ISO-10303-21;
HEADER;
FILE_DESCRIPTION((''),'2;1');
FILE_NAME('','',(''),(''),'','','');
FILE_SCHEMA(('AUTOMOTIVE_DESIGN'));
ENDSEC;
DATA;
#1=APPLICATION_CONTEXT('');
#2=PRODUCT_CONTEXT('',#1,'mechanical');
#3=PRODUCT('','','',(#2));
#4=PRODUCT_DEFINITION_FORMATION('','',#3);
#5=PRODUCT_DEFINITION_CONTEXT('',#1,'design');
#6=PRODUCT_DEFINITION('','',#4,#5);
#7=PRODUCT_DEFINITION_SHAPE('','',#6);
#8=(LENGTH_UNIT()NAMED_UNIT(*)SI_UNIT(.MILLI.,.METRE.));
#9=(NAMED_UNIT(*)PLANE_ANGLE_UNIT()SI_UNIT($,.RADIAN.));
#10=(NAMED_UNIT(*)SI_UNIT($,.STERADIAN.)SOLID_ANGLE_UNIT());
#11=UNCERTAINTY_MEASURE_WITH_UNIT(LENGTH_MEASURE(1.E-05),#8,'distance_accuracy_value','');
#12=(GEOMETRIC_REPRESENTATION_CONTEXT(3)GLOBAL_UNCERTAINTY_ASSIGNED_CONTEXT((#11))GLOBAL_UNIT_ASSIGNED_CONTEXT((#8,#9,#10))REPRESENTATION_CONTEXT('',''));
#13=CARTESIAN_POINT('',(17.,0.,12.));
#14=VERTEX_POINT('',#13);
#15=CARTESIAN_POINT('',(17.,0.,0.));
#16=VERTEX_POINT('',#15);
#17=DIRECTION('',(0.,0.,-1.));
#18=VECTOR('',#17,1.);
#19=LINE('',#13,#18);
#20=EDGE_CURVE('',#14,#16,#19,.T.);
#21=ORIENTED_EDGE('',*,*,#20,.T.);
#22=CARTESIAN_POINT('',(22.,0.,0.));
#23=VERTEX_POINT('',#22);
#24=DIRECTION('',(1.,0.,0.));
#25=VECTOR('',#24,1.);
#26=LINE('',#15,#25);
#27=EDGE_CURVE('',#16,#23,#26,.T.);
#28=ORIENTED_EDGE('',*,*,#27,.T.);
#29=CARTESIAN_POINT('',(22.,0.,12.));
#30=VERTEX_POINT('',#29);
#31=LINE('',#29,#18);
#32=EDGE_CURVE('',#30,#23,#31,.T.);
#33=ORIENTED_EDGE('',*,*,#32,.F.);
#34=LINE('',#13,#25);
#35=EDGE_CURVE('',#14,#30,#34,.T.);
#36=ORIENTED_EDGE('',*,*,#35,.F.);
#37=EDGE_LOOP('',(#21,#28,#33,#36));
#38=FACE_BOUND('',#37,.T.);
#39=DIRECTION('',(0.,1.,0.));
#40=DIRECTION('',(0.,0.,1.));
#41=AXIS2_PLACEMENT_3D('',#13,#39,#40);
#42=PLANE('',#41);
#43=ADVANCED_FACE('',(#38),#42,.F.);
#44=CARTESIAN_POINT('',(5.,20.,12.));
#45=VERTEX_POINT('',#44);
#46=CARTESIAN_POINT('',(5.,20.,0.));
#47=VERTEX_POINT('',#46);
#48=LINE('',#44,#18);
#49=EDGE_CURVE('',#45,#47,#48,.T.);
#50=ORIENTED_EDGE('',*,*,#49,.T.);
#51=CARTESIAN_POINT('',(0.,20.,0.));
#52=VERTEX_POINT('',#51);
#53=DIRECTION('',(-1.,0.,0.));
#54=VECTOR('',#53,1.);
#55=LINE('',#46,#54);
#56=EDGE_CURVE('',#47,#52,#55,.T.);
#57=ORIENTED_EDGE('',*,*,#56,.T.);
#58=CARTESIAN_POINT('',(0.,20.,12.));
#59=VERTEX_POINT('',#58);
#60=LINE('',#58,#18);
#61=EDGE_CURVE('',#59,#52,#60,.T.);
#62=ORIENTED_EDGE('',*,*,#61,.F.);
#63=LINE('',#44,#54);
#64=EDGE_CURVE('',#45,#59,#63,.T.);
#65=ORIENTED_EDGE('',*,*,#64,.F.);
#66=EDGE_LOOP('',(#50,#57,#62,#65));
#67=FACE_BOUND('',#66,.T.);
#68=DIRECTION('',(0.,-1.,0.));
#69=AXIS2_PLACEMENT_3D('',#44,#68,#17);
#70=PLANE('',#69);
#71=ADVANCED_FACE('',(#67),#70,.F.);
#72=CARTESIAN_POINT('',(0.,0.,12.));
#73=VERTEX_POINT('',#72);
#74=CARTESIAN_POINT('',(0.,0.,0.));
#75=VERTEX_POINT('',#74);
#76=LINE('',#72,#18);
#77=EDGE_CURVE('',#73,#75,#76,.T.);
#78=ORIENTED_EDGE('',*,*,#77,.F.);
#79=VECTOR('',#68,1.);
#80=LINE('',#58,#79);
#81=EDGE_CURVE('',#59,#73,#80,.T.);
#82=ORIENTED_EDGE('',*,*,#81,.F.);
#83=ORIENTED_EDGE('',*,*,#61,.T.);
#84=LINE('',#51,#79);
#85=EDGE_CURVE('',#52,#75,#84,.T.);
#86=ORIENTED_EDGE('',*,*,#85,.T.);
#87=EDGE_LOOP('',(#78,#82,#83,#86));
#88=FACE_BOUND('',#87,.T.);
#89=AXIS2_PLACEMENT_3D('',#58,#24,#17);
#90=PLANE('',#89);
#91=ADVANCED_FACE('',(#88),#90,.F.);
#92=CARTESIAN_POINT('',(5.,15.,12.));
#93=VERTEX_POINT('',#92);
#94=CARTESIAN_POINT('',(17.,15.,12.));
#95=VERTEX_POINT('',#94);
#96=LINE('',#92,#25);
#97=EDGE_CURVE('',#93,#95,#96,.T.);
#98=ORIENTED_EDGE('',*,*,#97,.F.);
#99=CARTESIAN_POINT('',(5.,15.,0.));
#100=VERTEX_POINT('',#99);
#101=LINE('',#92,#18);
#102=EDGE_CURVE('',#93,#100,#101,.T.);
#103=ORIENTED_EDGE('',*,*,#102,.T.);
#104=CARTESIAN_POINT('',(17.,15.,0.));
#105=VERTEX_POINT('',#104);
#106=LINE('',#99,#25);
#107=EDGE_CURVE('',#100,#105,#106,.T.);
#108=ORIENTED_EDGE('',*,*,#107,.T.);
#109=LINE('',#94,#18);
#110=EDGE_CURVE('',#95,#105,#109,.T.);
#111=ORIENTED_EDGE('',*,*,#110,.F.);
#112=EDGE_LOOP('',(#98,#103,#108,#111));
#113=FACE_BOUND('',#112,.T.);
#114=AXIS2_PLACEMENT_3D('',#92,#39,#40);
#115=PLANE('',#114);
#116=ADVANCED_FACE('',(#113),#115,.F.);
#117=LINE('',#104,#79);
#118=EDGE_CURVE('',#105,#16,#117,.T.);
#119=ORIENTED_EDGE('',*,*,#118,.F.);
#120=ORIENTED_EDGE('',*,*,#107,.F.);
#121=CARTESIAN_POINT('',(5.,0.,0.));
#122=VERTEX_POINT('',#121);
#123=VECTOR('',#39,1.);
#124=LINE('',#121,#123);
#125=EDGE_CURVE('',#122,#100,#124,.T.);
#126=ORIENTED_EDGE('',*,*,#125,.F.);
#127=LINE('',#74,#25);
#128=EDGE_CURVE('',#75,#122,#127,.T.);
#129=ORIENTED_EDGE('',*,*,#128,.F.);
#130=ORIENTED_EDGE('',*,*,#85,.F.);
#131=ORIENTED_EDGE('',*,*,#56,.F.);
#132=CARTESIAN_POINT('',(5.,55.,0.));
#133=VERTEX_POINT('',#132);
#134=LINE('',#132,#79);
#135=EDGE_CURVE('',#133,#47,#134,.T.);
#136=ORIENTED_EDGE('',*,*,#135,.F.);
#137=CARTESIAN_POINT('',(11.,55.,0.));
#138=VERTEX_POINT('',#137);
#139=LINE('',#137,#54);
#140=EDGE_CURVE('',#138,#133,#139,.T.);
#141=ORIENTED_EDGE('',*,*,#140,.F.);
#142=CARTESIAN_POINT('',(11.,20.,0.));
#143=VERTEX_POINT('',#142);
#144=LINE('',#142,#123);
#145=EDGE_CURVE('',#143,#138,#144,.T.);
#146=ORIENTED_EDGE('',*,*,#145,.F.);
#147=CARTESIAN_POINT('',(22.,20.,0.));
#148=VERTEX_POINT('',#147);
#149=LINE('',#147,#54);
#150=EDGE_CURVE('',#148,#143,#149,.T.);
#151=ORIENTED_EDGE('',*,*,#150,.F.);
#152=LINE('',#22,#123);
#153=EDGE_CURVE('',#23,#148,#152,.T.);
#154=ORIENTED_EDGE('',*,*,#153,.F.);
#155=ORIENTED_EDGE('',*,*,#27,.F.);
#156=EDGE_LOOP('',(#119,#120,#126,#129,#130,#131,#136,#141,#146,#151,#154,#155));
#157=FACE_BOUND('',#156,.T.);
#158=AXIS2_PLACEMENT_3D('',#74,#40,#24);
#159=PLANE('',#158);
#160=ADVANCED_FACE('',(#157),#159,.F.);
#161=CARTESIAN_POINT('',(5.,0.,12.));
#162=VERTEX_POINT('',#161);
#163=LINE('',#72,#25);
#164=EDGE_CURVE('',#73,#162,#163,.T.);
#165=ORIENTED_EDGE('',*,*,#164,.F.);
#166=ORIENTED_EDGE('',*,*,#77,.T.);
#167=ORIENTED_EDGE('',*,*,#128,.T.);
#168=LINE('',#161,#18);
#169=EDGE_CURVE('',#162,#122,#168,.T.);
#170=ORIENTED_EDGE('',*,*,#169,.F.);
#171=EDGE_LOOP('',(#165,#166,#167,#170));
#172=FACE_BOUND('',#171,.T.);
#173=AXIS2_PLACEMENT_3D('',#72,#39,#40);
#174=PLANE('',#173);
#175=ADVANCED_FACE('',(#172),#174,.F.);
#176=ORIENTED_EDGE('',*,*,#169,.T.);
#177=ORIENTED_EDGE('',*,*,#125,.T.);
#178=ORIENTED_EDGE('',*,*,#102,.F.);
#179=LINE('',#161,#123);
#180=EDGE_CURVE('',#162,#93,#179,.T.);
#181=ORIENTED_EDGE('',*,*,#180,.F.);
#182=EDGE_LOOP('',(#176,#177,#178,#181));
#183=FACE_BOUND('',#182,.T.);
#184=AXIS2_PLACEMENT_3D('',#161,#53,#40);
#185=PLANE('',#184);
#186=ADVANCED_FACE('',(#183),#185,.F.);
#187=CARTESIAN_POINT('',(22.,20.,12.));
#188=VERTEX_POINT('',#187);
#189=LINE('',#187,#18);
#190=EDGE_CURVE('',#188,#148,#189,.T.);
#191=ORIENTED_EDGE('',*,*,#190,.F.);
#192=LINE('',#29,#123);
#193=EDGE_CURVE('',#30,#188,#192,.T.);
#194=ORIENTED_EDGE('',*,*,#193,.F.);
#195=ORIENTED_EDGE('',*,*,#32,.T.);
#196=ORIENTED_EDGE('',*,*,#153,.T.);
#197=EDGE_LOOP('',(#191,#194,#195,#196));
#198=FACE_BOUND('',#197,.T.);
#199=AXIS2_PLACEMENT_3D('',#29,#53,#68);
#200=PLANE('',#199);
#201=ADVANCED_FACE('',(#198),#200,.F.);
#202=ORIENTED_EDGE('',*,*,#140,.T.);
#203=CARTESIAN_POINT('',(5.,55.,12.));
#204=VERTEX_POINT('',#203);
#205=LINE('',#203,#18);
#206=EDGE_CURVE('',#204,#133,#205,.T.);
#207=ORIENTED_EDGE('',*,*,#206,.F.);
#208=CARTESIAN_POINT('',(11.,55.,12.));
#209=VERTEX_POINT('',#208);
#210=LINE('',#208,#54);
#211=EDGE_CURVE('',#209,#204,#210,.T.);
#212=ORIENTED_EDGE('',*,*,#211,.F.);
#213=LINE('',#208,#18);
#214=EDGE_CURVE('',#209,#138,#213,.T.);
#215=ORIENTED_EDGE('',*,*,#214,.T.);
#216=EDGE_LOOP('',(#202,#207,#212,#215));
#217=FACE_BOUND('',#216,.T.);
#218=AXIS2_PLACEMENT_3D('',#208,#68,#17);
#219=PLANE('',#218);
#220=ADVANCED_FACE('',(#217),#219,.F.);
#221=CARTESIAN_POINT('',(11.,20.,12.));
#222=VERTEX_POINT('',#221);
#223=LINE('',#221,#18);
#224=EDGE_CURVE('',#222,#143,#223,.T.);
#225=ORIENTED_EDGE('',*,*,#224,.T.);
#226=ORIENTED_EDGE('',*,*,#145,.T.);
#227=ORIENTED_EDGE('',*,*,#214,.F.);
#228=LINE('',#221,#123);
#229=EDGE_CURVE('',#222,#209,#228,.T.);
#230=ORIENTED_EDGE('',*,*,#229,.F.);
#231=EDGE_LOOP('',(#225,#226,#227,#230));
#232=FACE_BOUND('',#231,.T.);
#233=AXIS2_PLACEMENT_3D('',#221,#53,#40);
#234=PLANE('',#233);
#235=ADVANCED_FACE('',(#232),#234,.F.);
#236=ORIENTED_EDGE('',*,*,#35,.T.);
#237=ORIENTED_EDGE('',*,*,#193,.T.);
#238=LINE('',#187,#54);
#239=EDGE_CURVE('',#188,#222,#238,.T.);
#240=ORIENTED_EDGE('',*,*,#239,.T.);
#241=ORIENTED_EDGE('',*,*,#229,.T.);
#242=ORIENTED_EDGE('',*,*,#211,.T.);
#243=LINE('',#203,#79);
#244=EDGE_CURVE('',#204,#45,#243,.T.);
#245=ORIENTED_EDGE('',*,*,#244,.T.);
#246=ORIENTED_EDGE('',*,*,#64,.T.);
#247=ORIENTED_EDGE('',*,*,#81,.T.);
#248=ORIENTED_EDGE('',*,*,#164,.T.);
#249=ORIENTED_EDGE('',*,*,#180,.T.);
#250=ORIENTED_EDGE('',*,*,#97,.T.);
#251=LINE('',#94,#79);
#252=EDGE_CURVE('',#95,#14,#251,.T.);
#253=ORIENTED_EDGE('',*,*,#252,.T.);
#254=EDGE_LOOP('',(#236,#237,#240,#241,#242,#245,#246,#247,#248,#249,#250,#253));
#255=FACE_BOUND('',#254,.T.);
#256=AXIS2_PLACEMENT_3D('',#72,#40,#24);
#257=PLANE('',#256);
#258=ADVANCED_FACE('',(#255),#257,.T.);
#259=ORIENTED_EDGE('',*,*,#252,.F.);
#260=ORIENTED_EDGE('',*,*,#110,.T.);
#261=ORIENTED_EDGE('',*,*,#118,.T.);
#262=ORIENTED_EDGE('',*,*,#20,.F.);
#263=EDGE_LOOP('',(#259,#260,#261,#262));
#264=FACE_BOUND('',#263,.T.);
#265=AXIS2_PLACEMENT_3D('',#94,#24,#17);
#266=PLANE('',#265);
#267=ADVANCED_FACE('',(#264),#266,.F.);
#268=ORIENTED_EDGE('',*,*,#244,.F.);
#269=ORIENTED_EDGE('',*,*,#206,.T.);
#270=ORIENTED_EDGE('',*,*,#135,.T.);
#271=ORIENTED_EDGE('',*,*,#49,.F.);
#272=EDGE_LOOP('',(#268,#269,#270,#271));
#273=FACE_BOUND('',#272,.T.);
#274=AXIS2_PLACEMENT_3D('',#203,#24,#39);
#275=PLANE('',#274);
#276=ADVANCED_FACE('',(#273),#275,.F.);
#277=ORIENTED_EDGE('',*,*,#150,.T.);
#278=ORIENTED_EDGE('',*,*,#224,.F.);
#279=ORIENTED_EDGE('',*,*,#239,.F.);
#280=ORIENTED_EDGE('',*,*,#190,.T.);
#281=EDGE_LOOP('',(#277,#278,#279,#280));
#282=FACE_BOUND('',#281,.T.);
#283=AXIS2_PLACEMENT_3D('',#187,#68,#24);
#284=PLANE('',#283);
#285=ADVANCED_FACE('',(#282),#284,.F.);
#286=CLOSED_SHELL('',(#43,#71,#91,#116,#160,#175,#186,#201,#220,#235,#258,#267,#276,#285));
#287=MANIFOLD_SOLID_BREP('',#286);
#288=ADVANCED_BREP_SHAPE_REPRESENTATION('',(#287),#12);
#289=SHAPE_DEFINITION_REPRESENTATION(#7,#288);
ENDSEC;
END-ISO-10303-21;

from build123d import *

# Parameters (mm, degrees)
EXTRUDE_1_DEPTH = 12


with BuildPart() as part:
    # Эскиз1 → Бобышка-Вытянуть1 (new body)
    with BuildSketch(Plane.XY):
        Polygon((0, 0), (5, 0), (5, 15), (17, 15), (17, 0), (22, 0), (22, 20), (11, 20), (11, 55), (5, 55), (5, 20), (0, 20), align=None)
    extrude(amount=EXTRUDE_1_DEPTH)


solid = part.part
